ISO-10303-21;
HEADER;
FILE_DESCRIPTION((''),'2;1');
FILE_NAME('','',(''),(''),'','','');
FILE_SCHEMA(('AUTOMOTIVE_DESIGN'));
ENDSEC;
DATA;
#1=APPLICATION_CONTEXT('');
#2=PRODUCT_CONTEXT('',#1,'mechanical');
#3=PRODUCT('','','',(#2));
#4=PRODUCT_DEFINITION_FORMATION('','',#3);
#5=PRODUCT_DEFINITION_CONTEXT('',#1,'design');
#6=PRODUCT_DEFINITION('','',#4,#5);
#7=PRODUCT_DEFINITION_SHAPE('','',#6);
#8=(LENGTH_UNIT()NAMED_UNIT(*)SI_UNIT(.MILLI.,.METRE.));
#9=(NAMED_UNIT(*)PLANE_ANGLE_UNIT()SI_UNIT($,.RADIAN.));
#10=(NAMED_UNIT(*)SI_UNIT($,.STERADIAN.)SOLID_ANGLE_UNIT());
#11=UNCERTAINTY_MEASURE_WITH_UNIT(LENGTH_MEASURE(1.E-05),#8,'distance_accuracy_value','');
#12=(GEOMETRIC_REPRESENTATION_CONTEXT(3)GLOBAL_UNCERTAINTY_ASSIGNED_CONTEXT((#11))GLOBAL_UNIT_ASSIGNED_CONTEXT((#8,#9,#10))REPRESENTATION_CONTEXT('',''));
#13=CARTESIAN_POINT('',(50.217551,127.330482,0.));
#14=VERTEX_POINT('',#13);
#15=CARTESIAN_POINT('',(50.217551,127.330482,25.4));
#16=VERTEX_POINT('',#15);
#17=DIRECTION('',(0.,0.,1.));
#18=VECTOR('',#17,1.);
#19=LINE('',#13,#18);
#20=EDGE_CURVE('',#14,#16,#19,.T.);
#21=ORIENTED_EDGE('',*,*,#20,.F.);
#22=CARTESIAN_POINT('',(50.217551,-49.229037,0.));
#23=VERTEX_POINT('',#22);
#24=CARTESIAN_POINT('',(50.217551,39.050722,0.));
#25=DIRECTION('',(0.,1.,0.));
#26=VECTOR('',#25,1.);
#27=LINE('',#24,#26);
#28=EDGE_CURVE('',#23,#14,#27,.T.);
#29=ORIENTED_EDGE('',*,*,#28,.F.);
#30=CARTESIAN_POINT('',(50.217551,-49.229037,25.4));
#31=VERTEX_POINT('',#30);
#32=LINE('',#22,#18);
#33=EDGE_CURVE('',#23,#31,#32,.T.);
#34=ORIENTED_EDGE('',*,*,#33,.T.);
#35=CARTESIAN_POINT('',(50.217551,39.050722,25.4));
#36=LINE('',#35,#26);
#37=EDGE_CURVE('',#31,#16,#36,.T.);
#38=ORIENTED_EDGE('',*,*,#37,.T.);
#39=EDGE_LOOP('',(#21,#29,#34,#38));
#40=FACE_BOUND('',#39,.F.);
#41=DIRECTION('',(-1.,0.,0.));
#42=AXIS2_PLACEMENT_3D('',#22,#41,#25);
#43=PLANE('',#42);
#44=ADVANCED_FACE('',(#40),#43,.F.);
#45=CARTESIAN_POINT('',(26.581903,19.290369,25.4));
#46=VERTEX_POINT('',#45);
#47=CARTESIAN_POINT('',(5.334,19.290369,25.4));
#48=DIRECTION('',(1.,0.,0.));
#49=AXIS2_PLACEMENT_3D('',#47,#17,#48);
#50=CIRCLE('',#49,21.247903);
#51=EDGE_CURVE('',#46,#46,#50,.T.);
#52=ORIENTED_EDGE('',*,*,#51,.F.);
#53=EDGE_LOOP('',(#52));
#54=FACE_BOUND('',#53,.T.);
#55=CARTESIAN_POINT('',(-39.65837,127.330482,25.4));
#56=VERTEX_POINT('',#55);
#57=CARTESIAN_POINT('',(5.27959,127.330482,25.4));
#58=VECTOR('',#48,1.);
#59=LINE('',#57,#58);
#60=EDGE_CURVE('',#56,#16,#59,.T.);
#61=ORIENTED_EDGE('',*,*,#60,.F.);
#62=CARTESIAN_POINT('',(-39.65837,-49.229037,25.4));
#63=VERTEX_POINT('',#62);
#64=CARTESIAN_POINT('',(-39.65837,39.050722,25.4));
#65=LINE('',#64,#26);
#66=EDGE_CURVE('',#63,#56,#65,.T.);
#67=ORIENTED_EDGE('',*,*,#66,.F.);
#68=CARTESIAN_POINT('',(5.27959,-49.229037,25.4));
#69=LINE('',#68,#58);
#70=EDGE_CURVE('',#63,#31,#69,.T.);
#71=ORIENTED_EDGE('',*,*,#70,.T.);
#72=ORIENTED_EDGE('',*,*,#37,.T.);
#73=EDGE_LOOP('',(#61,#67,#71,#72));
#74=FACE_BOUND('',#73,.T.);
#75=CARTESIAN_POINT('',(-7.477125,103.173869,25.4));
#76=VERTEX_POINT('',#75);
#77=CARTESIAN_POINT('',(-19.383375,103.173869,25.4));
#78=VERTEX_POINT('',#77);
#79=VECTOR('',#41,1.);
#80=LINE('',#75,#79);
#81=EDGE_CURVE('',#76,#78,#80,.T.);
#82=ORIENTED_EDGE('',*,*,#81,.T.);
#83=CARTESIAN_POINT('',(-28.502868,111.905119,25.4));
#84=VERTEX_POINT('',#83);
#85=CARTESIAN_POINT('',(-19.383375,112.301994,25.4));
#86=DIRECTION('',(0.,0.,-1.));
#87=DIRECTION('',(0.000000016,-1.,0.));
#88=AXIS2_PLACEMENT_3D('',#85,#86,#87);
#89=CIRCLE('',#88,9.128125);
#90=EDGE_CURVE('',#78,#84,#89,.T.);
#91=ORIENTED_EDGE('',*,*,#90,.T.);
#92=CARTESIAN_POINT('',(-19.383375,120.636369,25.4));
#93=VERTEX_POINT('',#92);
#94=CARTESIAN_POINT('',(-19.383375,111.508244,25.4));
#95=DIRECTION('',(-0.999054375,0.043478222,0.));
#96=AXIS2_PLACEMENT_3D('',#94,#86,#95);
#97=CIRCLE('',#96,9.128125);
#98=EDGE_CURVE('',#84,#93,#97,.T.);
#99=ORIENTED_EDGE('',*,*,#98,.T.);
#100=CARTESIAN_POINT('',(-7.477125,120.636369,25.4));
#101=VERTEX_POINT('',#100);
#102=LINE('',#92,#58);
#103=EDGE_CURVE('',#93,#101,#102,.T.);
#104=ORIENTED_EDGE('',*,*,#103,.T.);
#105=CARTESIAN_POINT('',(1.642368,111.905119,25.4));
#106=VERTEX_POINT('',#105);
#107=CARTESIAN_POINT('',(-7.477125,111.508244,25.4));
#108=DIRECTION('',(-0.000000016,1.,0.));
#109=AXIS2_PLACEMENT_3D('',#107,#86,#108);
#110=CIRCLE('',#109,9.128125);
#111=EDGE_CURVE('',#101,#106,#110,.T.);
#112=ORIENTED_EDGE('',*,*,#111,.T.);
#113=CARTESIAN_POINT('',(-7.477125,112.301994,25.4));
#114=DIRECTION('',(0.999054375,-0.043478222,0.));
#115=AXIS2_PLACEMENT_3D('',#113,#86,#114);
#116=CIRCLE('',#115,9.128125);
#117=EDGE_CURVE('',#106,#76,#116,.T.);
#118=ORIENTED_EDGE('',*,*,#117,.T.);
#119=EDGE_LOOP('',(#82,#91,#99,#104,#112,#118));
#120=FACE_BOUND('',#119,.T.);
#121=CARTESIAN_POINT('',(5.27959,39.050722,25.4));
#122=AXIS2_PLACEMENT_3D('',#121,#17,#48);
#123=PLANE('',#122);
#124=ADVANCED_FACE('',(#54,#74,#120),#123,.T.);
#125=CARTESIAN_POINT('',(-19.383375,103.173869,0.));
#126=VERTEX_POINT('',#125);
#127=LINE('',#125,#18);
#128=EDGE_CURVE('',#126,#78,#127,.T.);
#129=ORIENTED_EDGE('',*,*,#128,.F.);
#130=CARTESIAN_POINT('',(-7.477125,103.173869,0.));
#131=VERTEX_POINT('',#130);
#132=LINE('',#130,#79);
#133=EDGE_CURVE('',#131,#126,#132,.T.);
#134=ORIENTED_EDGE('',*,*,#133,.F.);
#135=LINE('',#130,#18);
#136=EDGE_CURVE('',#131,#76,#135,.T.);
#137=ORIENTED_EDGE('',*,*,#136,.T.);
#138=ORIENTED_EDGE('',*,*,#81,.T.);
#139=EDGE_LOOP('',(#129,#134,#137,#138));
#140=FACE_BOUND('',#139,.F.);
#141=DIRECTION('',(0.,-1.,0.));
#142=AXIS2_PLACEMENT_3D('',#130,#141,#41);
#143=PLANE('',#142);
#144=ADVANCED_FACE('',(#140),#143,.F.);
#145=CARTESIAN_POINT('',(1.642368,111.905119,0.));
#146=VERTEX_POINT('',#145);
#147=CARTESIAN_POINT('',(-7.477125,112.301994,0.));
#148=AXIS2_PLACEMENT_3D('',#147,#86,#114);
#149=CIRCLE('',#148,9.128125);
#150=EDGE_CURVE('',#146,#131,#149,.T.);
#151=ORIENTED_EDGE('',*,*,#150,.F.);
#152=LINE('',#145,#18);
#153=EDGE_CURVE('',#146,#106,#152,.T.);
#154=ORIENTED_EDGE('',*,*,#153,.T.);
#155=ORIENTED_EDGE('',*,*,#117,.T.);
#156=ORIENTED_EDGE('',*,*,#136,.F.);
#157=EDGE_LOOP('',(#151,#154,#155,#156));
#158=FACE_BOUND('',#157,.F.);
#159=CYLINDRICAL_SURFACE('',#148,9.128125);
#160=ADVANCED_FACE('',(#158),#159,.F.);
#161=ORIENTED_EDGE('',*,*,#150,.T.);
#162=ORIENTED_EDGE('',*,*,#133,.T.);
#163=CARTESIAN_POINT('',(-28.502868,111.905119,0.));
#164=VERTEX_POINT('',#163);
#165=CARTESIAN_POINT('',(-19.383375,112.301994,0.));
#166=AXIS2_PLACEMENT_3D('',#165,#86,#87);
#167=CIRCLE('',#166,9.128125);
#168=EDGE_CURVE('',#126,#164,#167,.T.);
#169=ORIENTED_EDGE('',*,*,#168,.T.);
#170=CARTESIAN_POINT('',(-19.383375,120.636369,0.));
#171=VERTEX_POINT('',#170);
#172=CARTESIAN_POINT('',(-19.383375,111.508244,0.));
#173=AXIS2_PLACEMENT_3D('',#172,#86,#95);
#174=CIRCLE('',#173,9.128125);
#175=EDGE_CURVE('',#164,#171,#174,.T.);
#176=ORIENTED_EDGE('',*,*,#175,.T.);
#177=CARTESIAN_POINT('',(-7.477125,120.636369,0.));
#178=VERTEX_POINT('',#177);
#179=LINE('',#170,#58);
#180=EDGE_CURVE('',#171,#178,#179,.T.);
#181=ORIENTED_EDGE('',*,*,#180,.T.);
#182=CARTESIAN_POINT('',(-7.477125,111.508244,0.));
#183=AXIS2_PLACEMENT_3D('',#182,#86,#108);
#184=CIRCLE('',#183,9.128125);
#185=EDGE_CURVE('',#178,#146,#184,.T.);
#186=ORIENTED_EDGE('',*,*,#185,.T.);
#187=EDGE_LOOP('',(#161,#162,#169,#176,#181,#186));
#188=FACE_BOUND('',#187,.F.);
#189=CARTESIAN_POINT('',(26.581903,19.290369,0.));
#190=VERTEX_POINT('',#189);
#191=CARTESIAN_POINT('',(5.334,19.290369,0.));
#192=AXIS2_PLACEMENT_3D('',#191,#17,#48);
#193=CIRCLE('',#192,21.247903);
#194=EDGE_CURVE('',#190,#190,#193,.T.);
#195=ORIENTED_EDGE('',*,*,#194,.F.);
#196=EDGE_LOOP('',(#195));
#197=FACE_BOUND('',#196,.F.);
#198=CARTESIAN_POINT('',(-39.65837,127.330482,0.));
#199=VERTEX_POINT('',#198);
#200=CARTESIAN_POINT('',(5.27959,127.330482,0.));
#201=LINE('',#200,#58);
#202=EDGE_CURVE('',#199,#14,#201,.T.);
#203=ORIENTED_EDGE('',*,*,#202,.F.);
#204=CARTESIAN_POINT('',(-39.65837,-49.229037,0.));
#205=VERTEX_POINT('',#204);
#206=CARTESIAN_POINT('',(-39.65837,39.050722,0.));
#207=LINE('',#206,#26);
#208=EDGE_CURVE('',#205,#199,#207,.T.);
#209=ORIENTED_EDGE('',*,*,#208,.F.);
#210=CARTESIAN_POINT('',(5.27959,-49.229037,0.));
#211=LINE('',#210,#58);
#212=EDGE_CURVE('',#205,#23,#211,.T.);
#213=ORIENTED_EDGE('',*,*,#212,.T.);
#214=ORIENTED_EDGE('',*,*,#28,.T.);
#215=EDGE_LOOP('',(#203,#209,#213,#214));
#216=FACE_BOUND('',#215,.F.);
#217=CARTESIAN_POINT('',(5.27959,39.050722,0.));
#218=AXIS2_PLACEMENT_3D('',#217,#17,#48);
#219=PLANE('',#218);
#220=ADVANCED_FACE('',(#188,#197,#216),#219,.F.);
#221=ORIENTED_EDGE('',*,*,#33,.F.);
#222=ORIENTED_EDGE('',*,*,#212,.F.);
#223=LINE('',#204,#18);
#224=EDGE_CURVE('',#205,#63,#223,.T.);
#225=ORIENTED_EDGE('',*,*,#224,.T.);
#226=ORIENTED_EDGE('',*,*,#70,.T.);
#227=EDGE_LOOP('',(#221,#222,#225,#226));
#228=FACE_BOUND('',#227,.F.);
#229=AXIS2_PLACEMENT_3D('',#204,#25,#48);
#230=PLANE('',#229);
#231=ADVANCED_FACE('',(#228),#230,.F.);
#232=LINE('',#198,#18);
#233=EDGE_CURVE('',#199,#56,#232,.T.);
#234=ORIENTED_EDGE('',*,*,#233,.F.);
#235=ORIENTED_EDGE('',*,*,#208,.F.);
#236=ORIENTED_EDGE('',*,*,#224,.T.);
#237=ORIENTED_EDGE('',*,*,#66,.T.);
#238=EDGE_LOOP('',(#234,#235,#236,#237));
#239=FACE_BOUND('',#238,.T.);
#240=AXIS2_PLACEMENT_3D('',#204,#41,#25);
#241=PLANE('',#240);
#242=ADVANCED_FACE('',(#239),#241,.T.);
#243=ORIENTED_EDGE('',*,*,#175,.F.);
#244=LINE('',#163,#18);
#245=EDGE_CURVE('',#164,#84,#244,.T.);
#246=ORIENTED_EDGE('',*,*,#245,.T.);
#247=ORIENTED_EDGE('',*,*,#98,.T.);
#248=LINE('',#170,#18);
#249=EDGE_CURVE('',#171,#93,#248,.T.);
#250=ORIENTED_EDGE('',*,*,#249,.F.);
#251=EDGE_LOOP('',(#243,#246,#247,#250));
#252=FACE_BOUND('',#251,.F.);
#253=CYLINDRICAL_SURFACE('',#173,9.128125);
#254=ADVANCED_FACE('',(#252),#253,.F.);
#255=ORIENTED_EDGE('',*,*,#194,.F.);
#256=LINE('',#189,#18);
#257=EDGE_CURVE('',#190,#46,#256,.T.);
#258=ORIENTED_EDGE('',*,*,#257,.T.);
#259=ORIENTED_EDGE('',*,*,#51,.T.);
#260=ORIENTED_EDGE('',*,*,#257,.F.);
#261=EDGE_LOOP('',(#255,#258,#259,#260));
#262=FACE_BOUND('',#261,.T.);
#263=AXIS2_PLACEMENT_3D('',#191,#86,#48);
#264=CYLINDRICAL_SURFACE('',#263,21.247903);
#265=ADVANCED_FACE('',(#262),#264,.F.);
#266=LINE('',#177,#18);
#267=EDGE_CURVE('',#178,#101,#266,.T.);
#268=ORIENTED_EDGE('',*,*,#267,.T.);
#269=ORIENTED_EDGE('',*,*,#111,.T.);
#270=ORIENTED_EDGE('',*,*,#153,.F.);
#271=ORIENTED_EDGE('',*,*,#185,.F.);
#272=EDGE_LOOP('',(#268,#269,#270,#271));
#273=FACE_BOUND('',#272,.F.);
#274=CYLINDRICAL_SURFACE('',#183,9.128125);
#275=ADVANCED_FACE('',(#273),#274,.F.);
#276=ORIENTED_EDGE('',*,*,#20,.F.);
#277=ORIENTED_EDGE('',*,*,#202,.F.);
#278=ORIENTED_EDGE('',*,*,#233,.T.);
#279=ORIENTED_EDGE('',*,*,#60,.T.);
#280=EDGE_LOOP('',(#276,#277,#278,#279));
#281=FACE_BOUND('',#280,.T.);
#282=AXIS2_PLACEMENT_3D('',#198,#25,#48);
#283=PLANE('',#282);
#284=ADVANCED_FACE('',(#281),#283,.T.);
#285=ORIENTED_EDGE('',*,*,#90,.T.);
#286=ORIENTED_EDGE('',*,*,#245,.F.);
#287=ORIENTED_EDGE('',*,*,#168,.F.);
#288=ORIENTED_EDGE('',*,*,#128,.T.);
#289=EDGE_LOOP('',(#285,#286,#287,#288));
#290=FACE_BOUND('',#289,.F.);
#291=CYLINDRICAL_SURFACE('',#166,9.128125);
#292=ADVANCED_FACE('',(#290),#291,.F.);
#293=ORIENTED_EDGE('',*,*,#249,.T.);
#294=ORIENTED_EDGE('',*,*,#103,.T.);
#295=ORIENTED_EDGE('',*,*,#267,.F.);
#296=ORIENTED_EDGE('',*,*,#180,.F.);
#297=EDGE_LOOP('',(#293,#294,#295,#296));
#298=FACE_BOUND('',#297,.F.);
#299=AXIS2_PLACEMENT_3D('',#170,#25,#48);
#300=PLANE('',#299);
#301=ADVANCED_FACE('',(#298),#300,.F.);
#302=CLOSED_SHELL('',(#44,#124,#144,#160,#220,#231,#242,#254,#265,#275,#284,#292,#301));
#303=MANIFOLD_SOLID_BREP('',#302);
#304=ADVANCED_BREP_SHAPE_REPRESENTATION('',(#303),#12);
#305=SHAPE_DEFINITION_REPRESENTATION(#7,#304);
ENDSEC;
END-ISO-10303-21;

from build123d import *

# Parameters (mm, degrees)
F0_W     = 89.875921
F0_H     = 176.559519
F0_R     = 21.247903
F1_DEPTH = 25.4


with BuildPart() as f1:
    # F0 (on Top) → F1 (new body)
    with BuildSketch(Plane.XY):
        with Locations((5.27959, 39.050722)):
            Rectangle(F0_W, F0_H)
        with Locations((5.334, 19.290369)):
            Circle(F0_R, mode=Mode.SUBTRACT)
        with BuildLine():
            Line((-7.477125, 103.173869), (-19.383375, 103.173869))
            ThreePointArc((-19.383375, 103.173869), (-25.696058, 105.708611), (-28.502868, 111.905119))
            ThreePointArc((-28.502868, 111.905119), (-25.696058, 118.101627), (-19.383375, 120.636369))
            Line((-19.383375, 120.636369), (-7.477125, 120.636369))
            ThreePointArc((-7.477125, 120.636369), (-1.164442, 118.101627), (1.642368, 111.905119))
            ThreePointArc((1.642368, 111.905119), (-1.164442, 105.708611), (-7.477125, 103.173869))
        make_face(mode=Mode.SUBTRACT)
    extrude(amount=F1_DEPTH)


solid = f1.part
